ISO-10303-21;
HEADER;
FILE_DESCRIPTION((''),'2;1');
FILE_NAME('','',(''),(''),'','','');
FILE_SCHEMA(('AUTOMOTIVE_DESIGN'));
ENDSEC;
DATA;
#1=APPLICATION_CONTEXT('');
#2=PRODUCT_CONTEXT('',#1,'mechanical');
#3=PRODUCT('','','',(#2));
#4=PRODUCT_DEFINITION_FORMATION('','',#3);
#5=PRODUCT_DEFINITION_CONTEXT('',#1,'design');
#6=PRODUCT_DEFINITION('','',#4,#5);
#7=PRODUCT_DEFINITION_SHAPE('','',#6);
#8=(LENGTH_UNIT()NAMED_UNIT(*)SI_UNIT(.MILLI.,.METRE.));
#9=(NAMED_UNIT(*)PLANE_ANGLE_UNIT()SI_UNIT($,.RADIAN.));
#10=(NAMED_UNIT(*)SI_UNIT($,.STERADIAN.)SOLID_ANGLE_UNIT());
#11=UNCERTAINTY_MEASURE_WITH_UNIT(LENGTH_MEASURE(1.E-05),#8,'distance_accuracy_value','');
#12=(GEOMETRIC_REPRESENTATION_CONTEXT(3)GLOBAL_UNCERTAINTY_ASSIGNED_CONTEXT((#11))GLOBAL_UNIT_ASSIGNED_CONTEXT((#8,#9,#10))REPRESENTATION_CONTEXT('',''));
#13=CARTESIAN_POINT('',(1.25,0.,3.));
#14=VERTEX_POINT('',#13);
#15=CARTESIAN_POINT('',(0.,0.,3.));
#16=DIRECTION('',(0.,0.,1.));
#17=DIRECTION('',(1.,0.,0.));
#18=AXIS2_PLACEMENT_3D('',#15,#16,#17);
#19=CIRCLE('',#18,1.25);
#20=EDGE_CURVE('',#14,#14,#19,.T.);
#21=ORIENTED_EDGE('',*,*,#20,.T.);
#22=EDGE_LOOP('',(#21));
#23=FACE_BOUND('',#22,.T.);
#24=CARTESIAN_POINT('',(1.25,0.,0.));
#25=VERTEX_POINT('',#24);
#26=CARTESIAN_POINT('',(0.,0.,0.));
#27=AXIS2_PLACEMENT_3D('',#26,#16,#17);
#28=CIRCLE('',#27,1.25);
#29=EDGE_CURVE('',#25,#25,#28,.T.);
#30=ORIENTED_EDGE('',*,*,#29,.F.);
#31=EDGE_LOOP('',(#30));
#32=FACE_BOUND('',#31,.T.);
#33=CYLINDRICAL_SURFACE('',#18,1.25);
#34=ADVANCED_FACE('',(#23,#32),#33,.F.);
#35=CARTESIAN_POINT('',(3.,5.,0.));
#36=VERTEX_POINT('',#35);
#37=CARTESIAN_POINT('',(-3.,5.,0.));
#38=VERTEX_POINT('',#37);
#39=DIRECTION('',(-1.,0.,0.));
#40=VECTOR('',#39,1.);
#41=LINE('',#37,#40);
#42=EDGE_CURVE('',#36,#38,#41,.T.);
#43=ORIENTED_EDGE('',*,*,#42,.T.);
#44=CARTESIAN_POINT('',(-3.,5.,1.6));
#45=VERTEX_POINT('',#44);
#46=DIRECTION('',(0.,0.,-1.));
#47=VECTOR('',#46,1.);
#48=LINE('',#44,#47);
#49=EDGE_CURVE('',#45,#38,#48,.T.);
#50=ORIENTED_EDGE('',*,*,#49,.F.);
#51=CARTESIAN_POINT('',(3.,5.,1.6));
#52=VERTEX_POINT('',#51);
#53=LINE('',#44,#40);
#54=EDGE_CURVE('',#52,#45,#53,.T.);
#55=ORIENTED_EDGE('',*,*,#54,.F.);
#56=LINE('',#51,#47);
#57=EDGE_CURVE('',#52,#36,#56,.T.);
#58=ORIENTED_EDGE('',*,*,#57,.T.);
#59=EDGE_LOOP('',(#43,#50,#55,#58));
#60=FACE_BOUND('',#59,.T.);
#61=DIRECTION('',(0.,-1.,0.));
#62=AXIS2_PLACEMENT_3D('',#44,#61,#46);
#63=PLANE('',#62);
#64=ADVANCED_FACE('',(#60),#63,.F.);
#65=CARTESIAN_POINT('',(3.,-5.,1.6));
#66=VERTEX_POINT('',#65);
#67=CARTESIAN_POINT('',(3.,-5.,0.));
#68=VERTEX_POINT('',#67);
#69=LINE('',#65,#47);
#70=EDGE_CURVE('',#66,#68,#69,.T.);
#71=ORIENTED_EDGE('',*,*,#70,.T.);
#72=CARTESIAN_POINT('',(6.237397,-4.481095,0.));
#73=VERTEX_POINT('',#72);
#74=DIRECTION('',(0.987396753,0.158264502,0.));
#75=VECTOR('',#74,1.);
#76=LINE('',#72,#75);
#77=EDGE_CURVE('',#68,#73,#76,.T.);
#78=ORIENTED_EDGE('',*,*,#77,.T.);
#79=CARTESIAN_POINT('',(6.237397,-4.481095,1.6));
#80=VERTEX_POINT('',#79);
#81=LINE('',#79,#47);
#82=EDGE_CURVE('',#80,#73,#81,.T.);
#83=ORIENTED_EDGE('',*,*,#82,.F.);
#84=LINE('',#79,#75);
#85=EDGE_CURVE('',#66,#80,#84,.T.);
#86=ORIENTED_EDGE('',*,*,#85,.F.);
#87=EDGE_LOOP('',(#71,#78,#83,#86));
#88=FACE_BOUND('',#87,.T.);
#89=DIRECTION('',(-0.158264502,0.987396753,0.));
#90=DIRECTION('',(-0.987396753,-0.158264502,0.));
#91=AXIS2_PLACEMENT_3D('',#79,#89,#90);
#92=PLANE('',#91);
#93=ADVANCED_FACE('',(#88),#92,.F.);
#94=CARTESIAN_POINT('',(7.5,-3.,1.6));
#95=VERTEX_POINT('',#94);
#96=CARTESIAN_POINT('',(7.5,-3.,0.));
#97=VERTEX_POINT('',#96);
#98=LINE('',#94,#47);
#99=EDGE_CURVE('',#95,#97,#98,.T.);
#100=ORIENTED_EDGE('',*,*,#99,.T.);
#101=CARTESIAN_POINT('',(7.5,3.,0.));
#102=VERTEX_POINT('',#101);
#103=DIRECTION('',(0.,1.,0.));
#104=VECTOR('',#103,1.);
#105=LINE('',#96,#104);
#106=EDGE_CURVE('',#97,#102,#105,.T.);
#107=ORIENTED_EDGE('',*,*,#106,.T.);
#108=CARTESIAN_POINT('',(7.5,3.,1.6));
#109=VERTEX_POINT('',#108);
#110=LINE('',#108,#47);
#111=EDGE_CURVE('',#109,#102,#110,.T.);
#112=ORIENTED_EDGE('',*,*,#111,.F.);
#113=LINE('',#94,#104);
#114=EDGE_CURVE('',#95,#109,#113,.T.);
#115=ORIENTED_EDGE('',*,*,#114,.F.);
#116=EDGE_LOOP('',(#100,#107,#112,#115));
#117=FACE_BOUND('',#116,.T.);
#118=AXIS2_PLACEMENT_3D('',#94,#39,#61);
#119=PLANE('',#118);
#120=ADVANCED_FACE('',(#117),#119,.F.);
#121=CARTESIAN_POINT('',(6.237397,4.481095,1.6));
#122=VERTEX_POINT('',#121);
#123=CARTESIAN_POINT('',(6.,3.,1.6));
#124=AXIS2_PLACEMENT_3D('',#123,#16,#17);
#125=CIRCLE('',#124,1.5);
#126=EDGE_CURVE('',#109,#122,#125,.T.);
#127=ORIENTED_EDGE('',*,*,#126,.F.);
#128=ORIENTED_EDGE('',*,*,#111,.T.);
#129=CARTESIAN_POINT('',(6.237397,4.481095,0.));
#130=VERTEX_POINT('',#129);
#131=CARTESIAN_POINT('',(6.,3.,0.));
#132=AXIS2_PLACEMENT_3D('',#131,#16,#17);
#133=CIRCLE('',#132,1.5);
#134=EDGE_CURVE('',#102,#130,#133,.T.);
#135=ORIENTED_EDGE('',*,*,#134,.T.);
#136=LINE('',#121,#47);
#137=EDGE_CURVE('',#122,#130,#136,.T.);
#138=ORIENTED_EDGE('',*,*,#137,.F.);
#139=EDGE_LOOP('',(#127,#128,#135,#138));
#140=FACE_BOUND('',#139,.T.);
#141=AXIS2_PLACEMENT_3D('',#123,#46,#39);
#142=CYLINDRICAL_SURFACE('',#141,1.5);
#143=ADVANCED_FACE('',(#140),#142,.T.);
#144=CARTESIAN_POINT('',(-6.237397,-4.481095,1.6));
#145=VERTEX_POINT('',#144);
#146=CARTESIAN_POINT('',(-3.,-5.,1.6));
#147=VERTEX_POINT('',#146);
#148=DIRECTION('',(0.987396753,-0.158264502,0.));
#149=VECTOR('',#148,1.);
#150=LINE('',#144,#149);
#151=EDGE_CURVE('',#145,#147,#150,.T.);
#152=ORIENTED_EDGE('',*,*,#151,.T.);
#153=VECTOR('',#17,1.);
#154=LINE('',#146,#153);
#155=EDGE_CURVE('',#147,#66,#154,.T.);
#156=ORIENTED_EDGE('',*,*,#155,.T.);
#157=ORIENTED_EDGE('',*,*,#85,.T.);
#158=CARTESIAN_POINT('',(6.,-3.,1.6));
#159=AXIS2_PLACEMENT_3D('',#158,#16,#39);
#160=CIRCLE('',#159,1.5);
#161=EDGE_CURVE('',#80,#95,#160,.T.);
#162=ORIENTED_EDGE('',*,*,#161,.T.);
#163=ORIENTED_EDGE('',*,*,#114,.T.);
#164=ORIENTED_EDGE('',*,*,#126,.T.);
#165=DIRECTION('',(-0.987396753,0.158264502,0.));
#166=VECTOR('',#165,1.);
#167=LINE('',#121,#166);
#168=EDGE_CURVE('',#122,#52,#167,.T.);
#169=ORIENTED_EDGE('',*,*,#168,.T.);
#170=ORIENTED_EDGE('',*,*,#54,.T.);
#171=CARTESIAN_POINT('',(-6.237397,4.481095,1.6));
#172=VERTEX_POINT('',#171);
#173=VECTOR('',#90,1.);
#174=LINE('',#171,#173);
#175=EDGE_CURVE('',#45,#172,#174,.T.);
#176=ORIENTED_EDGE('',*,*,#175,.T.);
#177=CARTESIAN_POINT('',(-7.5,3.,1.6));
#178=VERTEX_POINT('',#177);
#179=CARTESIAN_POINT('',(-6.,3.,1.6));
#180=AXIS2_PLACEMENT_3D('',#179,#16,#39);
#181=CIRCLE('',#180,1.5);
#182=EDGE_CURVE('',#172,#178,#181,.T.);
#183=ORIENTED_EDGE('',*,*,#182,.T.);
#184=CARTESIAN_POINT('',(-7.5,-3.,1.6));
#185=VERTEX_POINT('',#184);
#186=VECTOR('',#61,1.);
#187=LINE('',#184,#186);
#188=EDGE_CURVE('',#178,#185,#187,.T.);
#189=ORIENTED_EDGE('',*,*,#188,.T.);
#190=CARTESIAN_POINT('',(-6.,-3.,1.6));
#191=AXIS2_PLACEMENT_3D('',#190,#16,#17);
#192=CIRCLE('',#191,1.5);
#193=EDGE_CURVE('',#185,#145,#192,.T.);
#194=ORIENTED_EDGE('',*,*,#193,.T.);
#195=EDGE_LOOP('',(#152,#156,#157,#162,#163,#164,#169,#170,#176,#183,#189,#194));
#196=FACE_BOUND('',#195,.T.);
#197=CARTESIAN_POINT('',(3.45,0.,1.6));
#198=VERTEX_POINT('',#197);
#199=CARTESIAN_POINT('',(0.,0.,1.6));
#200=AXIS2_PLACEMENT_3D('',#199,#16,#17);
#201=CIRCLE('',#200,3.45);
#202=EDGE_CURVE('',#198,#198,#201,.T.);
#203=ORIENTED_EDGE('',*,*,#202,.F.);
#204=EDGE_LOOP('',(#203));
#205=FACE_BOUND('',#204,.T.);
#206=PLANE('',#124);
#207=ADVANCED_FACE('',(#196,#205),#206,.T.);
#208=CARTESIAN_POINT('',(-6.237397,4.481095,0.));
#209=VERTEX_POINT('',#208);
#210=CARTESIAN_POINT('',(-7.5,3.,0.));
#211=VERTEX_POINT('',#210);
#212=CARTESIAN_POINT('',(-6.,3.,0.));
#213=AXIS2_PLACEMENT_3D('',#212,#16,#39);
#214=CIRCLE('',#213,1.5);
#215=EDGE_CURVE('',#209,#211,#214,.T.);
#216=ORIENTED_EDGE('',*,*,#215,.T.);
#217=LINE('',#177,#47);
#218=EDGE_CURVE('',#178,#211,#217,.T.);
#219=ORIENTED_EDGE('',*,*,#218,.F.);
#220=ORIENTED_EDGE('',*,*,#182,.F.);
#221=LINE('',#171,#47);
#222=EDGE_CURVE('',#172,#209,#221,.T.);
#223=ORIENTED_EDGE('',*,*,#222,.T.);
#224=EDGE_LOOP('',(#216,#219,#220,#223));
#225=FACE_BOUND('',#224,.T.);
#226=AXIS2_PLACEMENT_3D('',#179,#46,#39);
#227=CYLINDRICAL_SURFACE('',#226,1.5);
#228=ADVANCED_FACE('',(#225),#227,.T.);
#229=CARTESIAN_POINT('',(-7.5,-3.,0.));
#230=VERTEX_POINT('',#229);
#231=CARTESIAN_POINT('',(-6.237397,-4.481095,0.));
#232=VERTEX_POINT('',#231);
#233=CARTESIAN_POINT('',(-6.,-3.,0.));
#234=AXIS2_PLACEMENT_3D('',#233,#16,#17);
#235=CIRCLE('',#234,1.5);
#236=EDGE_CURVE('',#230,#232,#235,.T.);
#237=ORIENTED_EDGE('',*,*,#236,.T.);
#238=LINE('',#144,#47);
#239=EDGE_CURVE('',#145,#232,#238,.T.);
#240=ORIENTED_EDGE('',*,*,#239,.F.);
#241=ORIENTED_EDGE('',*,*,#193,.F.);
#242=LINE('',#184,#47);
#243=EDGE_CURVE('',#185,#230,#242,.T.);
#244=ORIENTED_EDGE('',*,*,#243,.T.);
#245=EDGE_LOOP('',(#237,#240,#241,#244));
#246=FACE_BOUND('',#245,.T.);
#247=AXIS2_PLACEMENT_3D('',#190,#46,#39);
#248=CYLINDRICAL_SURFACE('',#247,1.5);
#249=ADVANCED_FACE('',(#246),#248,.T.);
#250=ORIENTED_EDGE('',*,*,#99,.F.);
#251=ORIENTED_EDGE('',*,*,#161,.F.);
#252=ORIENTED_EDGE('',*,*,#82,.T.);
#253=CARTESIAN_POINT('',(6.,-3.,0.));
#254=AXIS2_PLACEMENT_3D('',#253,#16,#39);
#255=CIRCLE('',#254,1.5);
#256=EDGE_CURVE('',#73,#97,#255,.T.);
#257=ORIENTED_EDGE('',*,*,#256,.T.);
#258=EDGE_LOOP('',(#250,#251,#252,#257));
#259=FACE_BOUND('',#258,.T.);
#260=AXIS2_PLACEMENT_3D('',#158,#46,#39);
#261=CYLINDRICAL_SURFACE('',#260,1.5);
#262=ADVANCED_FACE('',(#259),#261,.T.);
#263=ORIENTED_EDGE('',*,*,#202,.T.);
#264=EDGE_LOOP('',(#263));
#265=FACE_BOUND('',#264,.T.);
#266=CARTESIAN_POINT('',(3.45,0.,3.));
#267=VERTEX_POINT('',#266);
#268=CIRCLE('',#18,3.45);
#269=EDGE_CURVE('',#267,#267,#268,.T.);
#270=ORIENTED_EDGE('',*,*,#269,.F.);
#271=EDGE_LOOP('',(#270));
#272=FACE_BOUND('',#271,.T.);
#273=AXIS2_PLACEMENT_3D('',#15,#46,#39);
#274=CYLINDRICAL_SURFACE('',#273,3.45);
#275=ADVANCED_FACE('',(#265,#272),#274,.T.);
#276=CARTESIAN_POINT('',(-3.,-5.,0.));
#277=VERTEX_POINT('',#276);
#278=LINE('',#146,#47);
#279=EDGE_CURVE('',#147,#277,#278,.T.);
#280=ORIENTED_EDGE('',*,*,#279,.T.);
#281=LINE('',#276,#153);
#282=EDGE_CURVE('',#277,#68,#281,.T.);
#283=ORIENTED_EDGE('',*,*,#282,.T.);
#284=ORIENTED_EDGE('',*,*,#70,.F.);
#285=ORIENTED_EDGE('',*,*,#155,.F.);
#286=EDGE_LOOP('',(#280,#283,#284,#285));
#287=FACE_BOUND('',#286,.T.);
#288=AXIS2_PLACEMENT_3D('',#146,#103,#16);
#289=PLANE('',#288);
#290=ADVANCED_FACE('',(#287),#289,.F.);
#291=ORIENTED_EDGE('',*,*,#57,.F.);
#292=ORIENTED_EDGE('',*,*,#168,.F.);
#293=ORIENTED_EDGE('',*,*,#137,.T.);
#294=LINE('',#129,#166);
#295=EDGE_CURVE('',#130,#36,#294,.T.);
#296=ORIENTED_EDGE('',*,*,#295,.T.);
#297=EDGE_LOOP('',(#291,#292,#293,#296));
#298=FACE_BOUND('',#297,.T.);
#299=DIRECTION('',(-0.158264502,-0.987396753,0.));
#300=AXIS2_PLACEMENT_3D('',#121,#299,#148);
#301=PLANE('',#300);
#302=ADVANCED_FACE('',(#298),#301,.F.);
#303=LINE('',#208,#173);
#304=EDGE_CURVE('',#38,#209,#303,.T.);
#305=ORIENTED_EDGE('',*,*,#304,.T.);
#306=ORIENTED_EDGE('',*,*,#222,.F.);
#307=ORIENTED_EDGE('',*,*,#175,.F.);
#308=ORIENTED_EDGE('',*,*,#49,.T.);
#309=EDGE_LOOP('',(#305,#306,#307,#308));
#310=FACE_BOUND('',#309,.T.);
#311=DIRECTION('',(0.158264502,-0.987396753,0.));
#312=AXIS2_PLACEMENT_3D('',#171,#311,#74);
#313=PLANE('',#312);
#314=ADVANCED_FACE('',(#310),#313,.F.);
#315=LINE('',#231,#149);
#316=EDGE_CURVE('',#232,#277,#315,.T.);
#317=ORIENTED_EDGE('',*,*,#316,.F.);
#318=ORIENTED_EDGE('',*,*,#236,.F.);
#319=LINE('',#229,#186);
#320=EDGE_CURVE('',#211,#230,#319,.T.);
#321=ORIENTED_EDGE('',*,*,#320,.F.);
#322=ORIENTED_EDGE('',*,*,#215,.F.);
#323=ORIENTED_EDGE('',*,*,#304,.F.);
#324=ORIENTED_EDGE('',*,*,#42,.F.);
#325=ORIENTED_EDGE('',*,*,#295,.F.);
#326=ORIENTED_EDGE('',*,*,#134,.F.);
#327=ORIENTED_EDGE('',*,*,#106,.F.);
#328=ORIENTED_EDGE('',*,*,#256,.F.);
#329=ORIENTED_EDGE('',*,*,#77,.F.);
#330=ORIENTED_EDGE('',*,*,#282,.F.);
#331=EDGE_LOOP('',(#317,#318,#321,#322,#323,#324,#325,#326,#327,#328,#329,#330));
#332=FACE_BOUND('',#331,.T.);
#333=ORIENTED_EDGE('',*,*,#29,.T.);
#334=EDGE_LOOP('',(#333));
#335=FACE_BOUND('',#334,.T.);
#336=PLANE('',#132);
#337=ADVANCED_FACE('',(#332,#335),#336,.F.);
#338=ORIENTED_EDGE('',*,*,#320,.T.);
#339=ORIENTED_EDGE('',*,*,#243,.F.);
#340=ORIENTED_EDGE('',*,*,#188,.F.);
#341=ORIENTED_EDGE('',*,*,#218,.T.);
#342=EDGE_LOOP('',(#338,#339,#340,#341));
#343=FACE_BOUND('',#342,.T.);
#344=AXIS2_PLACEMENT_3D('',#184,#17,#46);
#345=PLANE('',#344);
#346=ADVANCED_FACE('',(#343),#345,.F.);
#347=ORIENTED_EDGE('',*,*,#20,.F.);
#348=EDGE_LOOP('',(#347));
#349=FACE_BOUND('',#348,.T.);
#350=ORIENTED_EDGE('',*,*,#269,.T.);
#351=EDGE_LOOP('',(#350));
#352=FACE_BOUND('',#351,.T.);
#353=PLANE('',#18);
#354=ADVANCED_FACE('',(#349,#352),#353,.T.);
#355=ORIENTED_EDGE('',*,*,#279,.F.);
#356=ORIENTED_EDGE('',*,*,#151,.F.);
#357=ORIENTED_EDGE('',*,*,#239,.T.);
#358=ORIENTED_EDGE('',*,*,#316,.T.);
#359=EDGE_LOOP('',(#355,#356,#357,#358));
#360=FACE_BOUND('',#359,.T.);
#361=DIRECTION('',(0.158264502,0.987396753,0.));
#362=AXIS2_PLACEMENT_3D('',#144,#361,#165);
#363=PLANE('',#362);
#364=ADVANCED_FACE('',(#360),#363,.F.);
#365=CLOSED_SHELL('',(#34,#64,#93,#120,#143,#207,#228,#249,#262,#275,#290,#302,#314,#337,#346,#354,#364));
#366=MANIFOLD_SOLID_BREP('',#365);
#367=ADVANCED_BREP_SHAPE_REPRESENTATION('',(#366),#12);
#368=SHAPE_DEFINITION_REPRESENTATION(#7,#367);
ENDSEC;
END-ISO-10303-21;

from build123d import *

# Parameters (mm, degrees)
BOSS_EXTRUDE1_DEPTH   = 1.6
SKETCH2_R             = 3.45
BOSS_EXTRUDE2_DEPTH   = 1.4
M3X0_5_TAPPED_HOLE1_D = 2.5


with BuildPart() as part:
    # Sketch1 → Boss-Extrude1 (new body)
    with BuildSketch(Plane.XY):
        with BuildLine():
            Line((-6.237396753, 4.481095129), (-3, 5))
            Line((-3, 5), (3, 5))
            Line((3, 5), (6.237396753, 4.481095129))
            ThreePointArc((6.237396753, 4.481095129), (7.141511088, 3.973114811), (7.5, 3))
            Line((7.5, 3), (7.5, -3))
            ThreePointArc((7.5, -3), (7.141511088, -3.973114811), (6.237396753, -4.481095129))
            Line((6.237396753, -4.481095129), (3, -5))
            Line((3, -5), (-3, -5))
            Line((-3, -5), (-6.237396753, -4.481095129))
            ThreePointArc((-6.237396753, -4.481095129), (-7.141511088, -3.973114811), (-7.5, -3))
            Line((-7.5, -3), (-7.5, 3))
            ThreePointArc((-7.5, 3), (-7.141511088, 3.973114811), (-6.237396753, 4.481095129))
        make_face()
    extrude(amount=BOSS_EXTRUDE1_DEPTH)

    # Sketch2 → Boss-Extrude2 (add)
    with BuildSketch(Plane.XY.offset(1.6)):
        Circle(SKETCH2_R)
    extrude(amount=BOSS_EXTRUDE2_DEPTH)

    # M3x0.5 Tapped Hole1 (through all)
    with Locations(Plane.XY.offset(3)):
        with Locations((0, 0)):
            Hole(M3X0_5_TAPPED_HOLE1_D / 2)


solid = part.part
